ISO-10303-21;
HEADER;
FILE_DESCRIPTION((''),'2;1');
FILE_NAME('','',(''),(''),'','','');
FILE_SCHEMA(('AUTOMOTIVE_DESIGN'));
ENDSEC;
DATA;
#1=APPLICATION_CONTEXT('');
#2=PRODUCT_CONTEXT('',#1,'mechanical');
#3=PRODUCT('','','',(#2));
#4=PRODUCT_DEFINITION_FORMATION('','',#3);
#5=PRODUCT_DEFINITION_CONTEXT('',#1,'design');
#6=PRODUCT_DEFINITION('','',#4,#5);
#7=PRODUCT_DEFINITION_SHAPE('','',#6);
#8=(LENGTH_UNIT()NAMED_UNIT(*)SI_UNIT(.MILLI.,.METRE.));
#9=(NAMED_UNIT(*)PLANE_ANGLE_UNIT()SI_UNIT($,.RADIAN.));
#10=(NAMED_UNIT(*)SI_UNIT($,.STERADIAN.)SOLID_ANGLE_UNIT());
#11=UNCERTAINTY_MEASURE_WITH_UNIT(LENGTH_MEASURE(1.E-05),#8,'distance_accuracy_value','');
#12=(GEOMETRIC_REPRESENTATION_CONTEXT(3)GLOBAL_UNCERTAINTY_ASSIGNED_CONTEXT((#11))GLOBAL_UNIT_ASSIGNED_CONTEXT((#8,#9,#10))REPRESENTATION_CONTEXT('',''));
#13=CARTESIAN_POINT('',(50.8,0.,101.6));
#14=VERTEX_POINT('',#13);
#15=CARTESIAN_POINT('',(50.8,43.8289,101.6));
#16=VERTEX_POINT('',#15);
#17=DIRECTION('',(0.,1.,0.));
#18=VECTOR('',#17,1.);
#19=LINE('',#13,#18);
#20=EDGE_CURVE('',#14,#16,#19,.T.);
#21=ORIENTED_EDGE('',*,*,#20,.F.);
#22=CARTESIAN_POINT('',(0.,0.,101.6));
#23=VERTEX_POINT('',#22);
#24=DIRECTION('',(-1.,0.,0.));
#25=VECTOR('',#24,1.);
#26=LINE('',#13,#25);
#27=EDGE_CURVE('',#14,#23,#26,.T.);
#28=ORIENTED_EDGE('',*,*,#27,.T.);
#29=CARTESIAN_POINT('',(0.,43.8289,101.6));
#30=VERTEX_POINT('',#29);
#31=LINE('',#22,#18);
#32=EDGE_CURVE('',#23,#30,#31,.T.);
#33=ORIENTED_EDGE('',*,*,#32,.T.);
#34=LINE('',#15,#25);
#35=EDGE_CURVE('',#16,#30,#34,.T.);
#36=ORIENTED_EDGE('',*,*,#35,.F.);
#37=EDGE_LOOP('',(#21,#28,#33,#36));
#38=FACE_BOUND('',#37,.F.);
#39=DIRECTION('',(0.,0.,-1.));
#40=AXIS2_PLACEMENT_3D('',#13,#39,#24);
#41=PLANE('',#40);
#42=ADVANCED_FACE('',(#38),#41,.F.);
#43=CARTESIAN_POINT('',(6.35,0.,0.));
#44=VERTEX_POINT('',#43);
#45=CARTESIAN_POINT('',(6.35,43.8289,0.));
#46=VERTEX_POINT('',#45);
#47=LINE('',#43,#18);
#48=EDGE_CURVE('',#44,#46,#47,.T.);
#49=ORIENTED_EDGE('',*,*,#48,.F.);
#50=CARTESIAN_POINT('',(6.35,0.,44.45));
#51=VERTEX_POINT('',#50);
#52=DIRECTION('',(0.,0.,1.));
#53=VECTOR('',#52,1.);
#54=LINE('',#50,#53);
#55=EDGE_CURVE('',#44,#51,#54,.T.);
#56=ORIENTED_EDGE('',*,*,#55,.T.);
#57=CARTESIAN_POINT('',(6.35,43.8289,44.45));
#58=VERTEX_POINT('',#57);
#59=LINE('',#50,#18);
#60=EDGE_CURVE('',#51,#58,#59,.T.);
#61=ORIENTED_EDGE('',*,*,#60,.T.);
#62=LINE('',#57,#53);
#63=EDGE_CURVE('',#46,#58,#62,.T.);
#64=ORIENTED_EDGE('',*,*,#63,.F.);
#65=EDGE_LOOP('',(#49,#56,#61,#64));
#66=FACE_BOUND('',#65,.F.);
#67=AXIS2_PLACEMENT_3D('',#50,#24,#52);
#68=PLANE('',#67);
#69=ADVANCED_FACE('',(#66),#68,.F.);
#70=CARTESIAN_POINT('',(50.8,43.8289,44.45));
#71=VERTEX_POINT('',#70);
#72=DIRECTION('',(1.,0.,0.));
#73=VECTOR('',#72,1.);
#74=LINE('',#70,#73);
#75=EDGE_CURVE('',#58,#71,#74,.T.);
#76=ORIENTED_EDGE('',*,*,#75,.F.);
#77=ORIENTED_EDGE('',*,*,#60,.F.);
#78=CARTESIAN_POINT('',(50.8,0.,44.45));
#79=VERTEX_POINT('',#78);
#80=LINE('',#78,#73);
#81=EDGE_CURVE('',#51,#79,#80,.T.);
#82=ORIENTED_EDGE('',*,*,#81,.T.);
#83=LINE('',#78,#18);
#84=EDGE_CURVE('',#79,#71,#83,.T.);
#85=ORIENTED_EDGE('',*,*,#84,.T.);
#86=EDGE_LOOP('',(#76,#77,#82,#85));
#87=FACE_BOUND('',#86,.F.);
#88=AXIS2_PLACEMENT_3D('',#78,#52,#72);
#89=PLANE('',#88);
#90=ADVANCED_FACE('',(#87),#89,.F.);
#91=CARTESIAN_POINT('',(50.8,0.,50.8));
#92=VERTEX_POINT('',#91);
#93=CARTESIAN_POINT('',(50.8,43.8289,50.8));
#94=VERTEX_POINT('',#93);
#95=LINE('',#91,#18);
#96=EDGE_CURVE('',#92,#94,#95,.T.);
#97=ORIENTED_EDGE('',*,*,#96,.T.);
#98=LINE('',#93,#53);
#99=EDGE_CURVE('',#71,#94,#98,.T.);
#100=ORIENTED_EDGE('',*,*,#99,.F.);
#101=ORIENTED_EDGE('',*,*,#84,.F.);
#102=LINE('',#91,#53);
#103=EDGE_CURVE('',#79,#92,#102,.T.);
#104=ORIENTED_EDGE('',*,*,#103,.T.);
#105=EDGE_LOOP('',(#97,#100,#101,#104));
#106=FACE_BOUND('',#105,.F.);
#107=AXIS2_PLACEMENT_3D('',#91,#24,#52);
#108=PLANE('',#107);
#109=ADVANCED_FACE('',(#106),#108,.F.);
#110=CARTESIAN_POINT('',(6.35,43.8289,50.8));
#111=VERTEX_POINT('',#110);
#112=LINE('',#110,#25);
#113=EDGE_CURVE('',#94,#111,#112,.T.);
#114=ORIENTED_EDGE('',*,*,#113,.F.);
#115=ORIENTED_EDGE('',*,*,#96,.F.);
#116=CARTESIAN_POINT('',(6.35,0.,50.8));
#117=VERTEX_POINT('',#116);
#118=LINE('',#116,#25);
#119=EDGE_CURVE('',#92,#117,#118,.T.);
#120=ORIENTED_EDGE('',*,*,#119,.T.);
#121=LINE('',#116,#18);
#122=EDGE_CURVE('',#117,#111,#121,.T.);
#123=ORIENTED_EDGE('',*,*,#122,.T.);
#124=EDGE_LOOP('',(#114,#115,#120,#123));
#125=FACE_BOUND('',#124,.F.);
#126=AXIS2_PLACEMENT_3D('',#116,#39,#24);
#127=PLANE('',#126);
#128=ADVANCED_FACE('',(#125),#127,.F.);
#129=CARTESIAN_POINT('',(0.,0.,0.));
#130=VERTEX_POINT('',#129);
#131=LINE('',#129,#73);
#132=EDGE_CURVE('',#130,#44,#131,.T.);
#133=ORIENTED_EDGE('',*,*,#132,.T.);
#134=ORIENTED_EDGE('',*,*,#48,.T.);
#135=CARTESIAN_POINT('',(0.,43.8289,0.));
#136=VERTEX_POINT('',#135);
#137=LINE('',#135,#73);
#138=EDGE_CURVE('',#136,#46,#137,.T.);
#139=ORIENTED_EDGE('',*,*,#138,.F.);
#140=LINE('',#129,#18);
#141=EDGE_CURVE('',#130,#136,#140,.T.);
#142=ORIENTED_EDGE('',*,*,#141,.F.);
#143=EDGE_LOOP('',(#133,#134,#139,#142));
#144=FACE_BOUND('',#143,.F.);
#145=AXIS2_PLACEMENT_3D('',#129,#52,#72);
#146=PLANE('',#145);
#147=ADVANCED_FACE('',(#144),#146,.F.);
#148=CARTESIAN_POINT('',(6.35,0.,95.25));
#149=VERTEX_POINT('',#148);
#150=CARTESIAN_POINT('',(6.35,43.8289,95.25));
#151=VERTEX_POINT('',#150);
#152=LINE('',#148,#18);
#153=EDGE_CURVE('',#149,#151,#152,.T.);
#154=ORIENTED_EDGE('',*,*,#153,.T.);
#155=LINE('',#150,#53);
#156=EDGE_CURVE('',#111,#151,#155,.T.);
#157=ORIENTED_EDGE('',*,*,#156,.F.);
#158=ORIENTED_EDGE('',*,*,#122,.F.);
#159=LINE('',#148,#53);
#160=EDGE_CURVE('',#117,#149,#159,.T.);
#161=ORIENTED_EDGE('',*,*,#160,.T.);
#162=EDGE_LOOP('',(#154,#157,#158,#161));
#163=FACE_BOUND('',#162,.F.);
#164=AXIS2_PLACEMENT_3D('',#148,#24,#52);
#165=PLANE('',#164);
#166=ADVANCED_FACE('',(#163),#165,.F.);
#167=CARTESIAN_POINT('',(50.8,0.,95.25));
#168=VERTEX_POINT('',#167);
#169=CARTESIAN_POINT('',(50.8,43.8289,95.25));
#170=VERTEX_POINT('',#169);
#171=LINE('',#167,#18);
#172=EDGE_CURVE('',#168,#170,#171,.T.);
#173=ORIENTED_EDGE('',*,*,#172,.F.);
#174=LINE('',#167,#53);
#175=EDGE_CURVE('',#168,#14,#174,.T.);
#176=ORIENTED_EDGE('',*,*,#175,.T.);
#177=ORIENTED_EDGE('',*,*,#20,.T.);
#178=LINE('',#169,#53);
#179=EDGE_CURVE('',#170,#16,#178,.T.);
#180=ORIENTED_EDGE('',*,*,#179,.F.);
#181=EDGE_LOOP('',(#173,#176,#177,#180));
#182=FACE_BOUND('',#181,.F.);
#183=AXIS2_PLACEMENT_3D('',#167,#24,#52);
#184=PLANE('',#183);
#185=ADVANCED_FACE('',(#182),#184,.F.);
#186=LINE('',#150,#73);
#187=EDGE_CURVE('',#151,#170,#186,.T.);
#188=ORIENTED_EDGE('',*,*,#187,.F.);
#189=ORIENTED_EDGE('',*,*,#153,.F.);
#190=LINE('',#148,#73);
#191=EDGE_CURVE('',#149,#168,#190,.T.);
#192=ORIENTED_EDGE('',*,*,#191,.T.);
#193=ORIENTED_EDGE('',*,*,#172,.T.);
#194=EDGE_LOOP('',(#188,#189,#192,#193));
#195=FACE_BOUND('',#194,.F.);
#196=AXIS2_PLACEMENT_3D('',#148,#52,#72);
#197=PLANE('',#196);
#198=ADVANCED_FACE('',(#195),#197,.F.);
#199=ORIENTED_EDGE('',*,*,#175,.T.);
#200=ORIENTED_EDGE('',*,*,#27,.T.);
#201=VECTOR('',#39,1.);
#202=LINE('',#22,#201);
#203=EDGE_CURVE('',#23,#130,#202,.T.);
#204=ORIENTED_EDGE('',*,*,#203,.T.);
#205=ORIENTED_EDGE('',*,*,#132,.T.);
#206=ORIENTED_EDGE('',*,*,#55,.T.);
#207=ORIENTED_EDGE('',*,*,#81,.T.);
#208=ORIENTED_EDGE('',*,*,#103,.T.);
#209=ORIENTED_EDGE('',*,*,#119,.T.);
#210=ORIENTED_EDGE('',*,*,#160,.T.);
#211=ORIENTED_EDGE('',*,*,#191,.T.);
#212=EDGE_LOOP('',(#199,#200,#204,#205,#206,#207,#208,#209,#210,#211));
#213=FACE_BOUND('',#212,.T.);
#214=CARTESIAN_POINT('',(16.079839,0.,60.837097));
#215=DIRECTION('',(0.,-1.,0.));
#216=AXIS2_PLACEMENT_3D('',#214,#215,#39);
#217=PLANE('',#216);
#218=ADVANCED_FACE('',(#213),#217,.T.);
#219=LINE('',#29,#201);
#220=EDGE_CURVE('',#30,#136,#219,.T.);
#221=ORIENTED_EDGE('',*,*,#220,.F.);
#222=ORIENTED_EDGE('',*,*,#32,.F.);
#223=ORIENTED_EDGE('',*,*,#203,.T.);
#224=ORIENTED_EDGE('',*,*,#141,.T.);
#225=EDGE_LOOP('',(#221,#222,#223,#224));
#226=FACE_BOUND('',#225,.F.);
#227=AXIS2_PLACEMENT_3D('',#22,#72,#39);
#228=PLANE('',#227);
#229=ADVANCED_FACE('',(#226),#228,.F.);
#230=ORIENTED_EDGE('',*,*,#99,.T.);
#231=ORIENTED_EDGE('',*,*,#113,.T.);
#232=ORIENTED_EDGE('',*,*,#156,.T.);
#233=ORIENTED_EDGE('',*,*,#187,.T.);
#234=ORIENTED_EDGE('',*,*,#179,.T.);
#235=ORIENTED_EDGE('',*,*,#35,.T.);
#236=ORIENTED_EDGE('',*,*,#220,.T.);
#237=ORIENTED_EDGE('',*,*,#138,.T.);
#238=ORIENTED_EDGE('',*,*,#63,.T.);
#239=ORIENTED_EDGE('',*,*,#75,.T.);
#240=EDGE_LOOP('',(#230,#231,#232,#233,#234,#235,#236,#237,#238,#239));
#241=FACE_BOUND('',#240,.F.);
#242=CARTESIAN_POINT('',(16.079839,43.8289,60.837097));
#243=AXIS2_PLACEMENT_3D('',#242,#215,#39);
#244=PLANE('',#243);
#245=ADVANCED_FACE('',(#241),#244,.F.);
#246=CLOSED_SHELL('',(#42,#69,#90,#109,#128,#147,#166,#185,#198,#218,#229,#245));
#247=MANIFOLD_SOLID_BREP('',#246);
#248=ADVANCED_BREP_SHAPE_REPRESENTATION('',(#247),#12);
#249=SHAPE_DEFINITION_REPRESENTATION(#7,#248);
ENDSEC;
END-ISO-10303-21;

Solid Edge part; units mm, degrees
sketch "Sketch1" plane through (0, 0, 0) normal (1, 0, 0) x (0, 1, 0)
  line L0 (0, 0) -> (43.8289, 0)
sketch "Sketch2" plane through (0, 0, 0) normal (0, -1, 0) x (1, 0, 0)
  line L0 (0, 101.6) -> (0, 0)
  line L1 (0, 0) -> (6.35, 0)
  line L2 (6.35, 44.45) -> (6.35, 0)
  line L3 (50.8, 44.45) -> (6.35, 44.45)
  line L4 (50.8, 50.8) -> (50.8, 44.45)
  line L5 (6.35, 50.8) -> (50.8, 50.8)
  line L6 (6.35, 95.25) -> (6.35, 50.8)
  line L7 (6.35, 95.25) -> (50.8, 95.25)
  line L8 (50.8, 95.25) -> (50.8, 101.6)
  line L9 (50.8, 101.6) -> (0, 101.6)
  dimension "D1" = 101.6
  dimension "D2" = 6.35
  dimension "D3" = 50.8
  dimension "D4" = 44.45
sweep "SweptProtrusion_1" add profiles "Sketch2" path "Sketch1"
